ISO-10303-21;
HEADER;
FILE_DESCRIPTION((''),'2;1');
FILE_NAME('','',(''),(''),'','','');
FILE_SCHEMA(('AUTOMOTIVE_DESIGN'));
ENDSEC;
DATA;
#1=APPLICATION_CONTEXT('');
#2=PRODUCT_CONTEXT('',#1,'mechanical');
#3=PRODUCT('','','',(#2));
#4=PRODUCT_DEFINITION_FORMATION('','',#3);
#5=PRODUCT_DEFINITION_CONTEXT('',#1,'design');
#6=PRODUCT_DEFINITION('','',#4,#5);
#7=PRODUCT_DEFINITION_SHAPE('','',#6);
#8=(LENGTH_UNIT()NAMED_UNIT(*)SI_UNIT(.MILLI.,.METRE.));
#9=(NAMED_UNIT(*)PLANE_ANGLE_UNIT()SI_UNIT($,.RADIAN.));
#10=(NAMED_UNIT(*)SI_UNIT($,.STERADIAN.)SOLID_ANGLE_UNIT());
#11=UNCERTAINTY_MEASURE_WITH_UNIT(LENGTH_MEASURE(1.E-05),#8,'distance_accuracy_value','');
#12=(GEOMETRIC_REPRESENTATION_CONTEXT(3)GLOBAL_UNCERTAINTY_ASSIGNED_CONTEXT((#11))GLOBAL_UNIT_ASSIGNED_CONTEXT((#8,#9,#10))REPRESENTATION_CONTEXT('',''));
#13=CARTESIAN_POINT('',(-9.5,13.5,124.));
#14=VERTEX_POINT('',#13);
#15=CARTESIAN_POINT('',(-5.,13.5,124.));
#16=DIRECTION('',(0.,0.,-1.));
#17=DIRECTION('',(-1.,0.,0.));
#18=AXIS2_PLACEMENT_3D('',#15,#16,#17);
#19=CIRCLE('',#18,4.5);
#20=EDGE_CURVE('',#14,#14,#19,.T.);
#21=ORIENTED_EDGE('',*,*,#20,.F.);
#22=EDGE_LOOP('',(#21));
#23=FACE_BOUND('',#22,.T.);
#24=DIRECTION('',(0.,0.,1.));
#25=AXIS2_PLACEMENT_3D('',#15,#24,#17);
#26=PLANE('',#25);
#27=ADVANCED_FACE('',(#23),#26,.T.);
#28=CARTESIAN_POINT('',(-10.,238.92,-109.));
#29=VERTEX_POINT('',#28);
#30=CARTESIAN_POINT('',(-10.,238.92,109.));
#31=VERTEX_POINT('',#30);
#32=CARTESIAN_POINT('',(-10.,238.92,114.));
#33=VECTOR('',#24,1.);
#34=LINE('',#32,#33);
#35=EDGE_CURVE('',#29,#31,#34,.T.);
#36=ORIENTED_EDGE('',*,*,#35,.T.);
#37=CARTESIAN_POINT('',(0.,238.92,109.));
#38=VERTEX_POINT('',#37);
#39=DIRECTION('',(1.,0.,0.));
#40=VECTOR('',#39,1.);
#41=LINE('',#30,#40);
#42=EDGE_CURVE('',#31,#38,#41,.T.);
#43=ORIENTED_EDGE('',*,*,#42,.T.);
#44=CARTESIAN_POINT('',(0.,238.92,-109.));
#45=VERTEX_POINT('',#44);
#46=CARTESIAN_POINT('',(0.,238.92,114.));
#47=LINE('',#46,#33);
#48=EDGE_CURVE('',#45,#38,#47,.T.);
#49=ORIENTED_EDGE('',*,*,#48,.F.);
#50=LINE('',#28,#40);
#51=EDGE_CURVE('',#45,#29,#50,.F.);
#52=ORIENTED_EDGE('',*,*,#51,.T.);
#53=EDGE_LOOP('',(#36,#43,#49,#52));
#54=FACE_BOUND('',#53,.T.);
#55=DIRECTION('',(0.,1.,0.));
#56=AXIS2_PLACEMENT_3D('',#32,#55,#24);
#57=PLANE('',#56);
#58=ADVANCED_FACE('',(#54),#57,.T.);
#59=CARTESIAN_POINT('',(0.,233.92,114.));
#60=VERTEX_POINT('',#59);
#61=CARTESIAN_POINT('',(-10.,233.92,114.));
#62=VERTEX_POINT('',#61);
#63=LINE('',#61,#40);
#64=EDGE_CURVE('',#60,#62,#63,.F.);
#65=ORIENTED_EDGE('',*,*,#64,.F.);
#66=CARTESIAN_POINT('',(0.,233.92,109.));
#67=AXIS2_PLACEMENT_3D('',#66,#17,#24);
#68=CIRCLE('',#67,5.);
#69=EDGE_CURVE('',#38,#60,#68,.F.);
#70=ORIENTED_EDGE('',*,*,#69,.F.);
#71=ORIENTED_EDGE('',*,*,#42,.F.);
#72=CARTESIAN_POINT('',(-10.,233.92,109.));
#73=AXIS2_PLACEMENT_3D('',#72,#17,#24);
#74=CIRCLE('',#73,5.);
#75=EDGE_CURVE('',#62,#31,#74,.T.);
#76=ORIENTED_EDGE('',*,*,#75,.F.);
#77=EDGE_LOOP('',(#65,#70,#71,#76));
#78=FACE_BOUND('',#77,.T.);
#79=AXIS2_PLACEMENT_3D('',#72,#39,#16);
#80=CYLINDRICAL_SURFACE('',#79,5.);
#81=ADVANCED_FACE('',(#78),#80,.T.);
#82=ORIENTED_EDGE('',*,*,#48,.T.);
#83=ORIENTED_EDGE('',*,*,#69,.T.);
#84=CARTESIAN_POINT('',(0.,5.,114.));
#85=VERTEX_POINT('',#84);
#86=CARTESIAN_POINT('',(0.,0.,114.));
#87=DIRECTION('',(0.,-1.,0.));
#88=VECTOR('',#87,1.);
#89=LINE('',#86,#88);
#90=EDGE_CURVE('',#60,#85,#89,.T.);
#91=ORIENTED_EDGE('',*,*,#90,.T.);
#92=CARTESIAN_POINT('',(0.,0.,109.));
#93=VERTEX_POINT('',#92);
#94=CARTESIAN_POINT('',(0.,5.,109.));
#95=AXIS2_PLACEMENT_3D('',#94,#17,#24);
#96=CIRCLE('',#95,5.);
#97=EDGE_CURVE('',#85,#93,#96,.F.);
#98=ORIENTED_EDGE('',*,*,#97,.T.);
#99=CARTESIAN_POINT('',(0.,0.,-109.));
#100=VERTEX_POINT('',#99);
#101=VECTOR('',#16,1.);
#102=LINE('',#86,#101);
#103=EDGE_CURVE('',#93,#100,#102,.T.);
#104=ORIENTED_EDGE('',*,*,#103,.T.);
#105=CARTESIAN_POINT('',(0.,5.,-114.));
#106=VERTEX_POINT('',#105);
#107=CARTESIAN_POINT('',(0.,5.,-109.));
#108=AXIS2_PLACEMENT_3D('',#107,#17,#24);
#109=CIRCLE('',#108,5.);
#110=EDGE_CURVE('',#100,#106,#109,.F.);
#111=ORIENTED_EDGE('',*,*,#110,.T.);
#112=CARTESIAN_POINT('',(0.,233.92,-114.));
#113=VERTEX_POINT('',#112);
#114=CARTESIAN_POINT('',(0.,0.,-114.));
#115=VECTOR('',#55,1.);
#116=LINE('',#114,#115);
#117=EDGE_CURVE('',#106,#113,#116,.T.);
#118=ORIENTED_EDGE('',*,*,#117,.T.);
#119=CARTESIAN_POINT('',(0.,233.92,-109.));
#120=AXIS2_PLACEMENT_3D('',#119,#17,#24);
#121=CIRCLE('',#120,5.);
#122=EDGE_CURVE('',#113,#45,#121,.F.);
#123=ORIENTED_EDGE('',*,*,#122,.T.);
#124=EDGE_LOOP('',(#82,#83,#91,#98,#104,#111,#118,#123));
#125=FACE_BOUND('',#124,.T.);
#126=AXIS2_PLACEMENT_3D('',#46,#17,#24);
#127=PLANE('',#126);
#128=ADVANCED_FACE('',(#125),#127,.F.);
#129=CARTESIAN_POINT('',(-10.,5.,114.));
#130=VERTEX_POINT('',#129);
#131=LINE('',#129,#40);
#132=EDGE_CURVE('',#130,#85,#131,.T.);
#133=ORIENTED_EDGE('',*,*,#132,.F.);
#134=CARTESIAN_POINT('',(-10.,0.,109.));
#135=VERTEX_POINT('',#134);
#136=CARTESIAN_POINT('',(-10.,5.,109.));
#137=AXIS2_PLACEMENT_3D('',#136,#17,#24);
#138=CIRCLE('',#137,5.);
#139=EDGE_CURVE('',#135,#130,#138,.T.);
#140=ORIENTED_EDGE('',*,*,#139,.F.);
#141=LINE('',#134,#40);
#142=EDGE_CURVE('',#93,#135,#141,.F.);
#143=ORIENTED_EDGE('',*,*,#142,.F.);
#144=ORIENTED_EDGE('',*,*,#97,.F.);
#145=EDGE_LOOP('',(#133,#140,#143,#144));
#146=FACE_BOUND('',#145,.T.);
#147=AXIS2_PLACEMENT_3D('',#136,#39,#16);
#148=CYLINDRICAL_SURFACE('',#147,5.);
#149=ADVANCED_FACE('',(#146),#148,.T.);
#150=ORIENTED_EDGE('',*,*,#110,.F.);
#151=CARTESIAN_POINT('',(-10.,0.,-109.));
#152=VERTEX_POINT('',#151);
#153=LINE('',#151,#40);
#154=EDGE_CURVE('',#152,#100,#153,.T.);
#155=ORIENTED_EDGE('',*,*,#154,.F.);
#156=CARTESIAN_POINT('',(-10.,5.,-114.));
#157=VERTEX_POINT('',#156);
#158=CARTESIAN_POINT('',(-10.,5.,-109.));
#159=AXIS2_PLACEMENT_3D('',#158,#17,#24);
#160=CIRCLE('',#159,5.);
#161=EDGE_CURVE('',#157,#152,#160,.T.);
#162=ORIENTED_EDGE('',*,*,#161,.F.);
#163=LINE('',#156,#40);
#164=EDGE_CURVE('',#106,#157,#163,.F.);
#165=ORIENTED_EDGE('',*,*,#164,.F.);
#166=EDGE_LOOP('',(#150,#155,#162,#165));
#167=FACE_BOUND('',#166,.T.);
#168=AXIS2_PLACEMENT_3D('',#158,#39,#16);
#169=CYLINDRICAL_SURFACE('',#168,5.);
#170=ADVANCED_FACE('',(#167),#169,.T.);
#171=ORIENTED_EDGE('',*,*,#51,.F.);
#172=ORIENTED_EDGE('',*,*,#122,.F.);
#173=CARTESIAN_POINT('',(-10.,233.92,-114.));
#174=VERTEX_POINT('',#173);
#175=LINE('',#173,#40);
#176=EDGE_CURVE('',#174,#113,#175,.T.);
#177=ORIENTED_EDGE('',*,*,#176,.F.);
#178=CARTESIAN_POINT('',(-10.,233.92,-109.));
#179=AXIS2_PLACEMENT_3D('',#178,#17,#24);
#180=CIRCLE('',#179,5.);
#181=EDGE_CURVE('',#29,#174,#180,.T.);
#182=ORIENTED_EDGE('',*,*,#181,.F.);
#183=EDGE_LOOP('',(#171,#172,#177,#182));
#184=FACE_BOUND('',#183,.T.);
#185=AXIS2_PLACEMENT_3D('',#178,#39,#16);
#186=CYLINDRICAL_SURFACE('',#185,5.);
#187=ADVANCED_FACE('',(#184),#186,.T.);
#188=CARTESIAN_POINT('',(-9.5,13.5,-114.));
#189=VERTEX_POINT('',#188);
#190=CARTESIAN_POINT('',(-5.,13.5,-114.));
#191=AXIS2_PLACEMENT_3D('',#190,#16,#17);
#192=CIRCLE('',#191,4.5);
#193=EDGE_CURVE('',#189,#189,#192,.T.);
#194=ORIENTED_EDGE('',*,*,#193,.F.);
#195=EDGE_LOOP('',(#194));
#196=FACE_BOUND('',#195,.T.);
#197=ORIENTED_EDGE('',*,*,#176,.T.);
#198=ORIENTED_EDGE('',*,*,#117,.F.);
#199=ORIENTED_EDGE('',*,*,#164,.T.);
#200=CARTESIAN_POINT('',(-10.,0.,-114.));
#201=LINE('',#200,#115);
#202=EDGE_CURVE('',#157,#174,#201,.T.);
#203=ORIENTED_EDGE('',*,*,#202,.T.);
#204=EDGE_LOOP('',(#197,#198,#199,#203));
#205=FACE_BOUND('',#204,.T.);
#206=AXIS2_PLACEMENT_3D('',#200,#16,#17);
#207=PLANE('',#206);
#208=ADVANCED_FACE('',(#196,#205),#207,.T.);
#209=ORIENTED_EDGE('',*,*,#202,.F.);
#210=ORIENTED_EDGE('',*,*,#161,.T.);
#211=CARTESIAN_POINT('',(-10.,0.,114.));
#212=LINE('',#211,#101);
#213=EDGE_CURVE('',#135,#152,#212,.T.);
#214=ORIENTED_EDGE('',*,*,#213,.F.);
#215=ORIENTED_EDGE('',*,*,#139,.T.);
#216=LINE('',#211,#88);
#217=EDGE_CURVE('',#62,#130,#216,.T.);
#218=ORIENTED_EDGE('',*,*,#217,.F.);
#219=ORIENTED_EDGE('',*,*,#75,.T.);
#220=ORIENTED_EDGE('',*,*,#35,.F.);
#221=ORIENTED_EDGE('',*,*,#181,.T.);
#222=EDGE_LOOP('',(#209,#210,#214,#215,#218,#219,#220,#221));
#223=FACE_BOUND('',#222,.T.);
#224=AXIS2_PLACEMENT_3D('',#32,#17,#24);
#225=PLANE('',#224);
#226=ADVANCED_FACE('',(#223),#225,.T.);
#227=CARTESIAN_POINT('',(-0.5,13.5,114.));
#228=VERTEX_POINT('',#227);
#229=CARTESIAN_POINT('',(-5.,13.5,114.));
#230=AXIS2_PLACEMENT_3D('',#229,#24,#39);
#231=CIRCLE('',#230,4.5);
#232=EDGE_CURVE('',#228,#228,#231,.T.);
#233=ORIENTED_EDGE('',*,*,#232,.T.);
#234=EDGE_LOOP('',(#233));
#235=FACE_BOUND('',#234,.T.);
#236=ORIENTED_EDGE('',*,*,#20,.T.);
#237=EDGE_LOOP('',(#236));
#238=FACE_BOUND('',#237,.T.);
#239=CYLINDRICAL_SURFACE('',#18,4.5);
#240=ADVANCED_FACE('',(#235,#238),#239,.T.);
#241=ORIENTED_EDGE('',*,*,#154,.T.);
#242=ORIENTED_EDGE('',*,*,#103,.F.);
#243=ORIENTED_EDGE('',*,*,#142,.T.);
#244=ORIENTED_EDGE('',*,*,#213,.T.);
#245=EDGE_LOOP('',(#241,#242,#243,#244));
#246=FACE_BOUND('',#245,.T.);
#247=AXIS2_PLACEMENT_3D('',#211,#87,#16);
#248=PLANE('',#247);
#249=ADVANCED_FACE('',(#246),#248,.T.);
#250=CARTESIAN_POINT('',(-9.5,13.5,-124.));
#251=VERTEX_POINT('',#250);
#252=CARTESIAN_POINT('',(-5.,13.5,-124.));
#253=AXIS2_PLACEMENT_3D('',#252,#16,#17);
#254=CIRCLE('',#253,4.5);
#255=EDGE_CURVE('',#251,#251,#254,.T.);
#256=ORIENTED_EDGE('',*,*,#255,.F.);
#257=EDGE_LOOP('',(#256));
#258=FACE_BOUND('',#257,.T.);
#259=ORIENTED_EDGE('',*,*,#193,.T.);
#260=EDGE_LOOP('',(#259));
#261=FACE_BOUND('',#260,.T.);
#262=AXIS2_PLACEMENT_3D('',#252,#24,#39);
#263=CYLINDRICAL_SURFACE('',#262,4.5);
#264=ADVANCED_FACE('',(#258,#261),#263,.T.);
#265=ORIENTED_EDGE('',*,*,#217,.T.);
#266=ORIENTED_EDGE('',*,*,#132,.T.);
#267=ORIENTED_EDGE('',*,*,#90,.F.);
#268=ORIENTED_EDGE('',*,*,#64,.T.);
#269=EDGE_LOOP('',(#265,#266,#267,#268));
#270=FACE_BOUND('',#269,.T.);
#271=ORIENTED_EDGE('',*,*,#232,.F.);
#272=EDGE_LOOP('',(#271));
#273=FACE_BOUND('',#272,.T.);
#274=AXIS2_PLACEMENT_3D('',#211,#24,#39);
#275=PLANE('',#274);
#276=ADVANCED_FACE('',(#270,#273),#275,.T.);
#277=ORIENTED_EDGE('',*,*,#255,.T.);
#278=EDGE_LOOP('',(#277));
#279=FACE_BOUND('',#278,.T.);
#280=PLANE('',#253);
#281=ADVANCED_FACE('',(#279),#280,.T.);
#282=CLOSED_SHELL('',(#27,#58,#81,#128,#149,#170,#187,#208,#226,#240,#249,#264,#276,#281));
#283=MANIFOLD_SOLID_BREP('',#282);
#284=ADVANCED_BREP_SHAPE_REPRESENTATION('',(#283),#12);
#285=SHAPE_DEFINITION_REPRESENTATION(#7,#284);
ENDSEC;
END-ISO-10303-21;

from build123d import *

# Parameters (mm, degrees)
SKETCH1_W           = 228
SKETCH1_H           = 238.91999995
BOSS_EXTRUDE1_DEPTH = 10
SKETCH2_R           = 4.5
BOSS_EXTRUDE2_DEPTH = 10
FILLET1_R           = 5


with BuildPart() as part:
    # Sketch1 → Boss-Extrude1 (new body)
    with BuildSketch(Plane(origin=(0, 0, 0), x_dir=(0, 0, -1), z_dir=(1, 0, 0))):
        with Locations((0, 119.459999975)):
            Rectangle(SKETCH1_W, SKETCH1_H)
    extrude(amount=-BOSS_EXTRUDE1_DEPTH)

    # Sketch2 → Boss-Extrude2 (add)
    with BuildSketch(Plane(origin=(0, 0, -114), x_dir=(-1, 0, 0), z_dir=(0, 0, -1))):
        with Locations((5, 13.5)):
            Circle(SKETCH2_R)
    boss_extrude2 = extrude(amount=BOSS_EXTRUDE2_DEPTH)

    # Mirror1: Boss-Extrude2 across plane
    add(boss_extrude2.mirror(Plane.XY))

    # Fillet1
    fillet1_edges = [part.edges().sort_by_distance(p)[0] for p in [
        (-5, 238.91999995, 114),
        (-5, 238.91999995, -114),
        (-5, 0, -114),
        (-5, 0, 114),
    ]]
    fillet(fillet1_edges, radius=FILLET1_R)


solid = part.part
